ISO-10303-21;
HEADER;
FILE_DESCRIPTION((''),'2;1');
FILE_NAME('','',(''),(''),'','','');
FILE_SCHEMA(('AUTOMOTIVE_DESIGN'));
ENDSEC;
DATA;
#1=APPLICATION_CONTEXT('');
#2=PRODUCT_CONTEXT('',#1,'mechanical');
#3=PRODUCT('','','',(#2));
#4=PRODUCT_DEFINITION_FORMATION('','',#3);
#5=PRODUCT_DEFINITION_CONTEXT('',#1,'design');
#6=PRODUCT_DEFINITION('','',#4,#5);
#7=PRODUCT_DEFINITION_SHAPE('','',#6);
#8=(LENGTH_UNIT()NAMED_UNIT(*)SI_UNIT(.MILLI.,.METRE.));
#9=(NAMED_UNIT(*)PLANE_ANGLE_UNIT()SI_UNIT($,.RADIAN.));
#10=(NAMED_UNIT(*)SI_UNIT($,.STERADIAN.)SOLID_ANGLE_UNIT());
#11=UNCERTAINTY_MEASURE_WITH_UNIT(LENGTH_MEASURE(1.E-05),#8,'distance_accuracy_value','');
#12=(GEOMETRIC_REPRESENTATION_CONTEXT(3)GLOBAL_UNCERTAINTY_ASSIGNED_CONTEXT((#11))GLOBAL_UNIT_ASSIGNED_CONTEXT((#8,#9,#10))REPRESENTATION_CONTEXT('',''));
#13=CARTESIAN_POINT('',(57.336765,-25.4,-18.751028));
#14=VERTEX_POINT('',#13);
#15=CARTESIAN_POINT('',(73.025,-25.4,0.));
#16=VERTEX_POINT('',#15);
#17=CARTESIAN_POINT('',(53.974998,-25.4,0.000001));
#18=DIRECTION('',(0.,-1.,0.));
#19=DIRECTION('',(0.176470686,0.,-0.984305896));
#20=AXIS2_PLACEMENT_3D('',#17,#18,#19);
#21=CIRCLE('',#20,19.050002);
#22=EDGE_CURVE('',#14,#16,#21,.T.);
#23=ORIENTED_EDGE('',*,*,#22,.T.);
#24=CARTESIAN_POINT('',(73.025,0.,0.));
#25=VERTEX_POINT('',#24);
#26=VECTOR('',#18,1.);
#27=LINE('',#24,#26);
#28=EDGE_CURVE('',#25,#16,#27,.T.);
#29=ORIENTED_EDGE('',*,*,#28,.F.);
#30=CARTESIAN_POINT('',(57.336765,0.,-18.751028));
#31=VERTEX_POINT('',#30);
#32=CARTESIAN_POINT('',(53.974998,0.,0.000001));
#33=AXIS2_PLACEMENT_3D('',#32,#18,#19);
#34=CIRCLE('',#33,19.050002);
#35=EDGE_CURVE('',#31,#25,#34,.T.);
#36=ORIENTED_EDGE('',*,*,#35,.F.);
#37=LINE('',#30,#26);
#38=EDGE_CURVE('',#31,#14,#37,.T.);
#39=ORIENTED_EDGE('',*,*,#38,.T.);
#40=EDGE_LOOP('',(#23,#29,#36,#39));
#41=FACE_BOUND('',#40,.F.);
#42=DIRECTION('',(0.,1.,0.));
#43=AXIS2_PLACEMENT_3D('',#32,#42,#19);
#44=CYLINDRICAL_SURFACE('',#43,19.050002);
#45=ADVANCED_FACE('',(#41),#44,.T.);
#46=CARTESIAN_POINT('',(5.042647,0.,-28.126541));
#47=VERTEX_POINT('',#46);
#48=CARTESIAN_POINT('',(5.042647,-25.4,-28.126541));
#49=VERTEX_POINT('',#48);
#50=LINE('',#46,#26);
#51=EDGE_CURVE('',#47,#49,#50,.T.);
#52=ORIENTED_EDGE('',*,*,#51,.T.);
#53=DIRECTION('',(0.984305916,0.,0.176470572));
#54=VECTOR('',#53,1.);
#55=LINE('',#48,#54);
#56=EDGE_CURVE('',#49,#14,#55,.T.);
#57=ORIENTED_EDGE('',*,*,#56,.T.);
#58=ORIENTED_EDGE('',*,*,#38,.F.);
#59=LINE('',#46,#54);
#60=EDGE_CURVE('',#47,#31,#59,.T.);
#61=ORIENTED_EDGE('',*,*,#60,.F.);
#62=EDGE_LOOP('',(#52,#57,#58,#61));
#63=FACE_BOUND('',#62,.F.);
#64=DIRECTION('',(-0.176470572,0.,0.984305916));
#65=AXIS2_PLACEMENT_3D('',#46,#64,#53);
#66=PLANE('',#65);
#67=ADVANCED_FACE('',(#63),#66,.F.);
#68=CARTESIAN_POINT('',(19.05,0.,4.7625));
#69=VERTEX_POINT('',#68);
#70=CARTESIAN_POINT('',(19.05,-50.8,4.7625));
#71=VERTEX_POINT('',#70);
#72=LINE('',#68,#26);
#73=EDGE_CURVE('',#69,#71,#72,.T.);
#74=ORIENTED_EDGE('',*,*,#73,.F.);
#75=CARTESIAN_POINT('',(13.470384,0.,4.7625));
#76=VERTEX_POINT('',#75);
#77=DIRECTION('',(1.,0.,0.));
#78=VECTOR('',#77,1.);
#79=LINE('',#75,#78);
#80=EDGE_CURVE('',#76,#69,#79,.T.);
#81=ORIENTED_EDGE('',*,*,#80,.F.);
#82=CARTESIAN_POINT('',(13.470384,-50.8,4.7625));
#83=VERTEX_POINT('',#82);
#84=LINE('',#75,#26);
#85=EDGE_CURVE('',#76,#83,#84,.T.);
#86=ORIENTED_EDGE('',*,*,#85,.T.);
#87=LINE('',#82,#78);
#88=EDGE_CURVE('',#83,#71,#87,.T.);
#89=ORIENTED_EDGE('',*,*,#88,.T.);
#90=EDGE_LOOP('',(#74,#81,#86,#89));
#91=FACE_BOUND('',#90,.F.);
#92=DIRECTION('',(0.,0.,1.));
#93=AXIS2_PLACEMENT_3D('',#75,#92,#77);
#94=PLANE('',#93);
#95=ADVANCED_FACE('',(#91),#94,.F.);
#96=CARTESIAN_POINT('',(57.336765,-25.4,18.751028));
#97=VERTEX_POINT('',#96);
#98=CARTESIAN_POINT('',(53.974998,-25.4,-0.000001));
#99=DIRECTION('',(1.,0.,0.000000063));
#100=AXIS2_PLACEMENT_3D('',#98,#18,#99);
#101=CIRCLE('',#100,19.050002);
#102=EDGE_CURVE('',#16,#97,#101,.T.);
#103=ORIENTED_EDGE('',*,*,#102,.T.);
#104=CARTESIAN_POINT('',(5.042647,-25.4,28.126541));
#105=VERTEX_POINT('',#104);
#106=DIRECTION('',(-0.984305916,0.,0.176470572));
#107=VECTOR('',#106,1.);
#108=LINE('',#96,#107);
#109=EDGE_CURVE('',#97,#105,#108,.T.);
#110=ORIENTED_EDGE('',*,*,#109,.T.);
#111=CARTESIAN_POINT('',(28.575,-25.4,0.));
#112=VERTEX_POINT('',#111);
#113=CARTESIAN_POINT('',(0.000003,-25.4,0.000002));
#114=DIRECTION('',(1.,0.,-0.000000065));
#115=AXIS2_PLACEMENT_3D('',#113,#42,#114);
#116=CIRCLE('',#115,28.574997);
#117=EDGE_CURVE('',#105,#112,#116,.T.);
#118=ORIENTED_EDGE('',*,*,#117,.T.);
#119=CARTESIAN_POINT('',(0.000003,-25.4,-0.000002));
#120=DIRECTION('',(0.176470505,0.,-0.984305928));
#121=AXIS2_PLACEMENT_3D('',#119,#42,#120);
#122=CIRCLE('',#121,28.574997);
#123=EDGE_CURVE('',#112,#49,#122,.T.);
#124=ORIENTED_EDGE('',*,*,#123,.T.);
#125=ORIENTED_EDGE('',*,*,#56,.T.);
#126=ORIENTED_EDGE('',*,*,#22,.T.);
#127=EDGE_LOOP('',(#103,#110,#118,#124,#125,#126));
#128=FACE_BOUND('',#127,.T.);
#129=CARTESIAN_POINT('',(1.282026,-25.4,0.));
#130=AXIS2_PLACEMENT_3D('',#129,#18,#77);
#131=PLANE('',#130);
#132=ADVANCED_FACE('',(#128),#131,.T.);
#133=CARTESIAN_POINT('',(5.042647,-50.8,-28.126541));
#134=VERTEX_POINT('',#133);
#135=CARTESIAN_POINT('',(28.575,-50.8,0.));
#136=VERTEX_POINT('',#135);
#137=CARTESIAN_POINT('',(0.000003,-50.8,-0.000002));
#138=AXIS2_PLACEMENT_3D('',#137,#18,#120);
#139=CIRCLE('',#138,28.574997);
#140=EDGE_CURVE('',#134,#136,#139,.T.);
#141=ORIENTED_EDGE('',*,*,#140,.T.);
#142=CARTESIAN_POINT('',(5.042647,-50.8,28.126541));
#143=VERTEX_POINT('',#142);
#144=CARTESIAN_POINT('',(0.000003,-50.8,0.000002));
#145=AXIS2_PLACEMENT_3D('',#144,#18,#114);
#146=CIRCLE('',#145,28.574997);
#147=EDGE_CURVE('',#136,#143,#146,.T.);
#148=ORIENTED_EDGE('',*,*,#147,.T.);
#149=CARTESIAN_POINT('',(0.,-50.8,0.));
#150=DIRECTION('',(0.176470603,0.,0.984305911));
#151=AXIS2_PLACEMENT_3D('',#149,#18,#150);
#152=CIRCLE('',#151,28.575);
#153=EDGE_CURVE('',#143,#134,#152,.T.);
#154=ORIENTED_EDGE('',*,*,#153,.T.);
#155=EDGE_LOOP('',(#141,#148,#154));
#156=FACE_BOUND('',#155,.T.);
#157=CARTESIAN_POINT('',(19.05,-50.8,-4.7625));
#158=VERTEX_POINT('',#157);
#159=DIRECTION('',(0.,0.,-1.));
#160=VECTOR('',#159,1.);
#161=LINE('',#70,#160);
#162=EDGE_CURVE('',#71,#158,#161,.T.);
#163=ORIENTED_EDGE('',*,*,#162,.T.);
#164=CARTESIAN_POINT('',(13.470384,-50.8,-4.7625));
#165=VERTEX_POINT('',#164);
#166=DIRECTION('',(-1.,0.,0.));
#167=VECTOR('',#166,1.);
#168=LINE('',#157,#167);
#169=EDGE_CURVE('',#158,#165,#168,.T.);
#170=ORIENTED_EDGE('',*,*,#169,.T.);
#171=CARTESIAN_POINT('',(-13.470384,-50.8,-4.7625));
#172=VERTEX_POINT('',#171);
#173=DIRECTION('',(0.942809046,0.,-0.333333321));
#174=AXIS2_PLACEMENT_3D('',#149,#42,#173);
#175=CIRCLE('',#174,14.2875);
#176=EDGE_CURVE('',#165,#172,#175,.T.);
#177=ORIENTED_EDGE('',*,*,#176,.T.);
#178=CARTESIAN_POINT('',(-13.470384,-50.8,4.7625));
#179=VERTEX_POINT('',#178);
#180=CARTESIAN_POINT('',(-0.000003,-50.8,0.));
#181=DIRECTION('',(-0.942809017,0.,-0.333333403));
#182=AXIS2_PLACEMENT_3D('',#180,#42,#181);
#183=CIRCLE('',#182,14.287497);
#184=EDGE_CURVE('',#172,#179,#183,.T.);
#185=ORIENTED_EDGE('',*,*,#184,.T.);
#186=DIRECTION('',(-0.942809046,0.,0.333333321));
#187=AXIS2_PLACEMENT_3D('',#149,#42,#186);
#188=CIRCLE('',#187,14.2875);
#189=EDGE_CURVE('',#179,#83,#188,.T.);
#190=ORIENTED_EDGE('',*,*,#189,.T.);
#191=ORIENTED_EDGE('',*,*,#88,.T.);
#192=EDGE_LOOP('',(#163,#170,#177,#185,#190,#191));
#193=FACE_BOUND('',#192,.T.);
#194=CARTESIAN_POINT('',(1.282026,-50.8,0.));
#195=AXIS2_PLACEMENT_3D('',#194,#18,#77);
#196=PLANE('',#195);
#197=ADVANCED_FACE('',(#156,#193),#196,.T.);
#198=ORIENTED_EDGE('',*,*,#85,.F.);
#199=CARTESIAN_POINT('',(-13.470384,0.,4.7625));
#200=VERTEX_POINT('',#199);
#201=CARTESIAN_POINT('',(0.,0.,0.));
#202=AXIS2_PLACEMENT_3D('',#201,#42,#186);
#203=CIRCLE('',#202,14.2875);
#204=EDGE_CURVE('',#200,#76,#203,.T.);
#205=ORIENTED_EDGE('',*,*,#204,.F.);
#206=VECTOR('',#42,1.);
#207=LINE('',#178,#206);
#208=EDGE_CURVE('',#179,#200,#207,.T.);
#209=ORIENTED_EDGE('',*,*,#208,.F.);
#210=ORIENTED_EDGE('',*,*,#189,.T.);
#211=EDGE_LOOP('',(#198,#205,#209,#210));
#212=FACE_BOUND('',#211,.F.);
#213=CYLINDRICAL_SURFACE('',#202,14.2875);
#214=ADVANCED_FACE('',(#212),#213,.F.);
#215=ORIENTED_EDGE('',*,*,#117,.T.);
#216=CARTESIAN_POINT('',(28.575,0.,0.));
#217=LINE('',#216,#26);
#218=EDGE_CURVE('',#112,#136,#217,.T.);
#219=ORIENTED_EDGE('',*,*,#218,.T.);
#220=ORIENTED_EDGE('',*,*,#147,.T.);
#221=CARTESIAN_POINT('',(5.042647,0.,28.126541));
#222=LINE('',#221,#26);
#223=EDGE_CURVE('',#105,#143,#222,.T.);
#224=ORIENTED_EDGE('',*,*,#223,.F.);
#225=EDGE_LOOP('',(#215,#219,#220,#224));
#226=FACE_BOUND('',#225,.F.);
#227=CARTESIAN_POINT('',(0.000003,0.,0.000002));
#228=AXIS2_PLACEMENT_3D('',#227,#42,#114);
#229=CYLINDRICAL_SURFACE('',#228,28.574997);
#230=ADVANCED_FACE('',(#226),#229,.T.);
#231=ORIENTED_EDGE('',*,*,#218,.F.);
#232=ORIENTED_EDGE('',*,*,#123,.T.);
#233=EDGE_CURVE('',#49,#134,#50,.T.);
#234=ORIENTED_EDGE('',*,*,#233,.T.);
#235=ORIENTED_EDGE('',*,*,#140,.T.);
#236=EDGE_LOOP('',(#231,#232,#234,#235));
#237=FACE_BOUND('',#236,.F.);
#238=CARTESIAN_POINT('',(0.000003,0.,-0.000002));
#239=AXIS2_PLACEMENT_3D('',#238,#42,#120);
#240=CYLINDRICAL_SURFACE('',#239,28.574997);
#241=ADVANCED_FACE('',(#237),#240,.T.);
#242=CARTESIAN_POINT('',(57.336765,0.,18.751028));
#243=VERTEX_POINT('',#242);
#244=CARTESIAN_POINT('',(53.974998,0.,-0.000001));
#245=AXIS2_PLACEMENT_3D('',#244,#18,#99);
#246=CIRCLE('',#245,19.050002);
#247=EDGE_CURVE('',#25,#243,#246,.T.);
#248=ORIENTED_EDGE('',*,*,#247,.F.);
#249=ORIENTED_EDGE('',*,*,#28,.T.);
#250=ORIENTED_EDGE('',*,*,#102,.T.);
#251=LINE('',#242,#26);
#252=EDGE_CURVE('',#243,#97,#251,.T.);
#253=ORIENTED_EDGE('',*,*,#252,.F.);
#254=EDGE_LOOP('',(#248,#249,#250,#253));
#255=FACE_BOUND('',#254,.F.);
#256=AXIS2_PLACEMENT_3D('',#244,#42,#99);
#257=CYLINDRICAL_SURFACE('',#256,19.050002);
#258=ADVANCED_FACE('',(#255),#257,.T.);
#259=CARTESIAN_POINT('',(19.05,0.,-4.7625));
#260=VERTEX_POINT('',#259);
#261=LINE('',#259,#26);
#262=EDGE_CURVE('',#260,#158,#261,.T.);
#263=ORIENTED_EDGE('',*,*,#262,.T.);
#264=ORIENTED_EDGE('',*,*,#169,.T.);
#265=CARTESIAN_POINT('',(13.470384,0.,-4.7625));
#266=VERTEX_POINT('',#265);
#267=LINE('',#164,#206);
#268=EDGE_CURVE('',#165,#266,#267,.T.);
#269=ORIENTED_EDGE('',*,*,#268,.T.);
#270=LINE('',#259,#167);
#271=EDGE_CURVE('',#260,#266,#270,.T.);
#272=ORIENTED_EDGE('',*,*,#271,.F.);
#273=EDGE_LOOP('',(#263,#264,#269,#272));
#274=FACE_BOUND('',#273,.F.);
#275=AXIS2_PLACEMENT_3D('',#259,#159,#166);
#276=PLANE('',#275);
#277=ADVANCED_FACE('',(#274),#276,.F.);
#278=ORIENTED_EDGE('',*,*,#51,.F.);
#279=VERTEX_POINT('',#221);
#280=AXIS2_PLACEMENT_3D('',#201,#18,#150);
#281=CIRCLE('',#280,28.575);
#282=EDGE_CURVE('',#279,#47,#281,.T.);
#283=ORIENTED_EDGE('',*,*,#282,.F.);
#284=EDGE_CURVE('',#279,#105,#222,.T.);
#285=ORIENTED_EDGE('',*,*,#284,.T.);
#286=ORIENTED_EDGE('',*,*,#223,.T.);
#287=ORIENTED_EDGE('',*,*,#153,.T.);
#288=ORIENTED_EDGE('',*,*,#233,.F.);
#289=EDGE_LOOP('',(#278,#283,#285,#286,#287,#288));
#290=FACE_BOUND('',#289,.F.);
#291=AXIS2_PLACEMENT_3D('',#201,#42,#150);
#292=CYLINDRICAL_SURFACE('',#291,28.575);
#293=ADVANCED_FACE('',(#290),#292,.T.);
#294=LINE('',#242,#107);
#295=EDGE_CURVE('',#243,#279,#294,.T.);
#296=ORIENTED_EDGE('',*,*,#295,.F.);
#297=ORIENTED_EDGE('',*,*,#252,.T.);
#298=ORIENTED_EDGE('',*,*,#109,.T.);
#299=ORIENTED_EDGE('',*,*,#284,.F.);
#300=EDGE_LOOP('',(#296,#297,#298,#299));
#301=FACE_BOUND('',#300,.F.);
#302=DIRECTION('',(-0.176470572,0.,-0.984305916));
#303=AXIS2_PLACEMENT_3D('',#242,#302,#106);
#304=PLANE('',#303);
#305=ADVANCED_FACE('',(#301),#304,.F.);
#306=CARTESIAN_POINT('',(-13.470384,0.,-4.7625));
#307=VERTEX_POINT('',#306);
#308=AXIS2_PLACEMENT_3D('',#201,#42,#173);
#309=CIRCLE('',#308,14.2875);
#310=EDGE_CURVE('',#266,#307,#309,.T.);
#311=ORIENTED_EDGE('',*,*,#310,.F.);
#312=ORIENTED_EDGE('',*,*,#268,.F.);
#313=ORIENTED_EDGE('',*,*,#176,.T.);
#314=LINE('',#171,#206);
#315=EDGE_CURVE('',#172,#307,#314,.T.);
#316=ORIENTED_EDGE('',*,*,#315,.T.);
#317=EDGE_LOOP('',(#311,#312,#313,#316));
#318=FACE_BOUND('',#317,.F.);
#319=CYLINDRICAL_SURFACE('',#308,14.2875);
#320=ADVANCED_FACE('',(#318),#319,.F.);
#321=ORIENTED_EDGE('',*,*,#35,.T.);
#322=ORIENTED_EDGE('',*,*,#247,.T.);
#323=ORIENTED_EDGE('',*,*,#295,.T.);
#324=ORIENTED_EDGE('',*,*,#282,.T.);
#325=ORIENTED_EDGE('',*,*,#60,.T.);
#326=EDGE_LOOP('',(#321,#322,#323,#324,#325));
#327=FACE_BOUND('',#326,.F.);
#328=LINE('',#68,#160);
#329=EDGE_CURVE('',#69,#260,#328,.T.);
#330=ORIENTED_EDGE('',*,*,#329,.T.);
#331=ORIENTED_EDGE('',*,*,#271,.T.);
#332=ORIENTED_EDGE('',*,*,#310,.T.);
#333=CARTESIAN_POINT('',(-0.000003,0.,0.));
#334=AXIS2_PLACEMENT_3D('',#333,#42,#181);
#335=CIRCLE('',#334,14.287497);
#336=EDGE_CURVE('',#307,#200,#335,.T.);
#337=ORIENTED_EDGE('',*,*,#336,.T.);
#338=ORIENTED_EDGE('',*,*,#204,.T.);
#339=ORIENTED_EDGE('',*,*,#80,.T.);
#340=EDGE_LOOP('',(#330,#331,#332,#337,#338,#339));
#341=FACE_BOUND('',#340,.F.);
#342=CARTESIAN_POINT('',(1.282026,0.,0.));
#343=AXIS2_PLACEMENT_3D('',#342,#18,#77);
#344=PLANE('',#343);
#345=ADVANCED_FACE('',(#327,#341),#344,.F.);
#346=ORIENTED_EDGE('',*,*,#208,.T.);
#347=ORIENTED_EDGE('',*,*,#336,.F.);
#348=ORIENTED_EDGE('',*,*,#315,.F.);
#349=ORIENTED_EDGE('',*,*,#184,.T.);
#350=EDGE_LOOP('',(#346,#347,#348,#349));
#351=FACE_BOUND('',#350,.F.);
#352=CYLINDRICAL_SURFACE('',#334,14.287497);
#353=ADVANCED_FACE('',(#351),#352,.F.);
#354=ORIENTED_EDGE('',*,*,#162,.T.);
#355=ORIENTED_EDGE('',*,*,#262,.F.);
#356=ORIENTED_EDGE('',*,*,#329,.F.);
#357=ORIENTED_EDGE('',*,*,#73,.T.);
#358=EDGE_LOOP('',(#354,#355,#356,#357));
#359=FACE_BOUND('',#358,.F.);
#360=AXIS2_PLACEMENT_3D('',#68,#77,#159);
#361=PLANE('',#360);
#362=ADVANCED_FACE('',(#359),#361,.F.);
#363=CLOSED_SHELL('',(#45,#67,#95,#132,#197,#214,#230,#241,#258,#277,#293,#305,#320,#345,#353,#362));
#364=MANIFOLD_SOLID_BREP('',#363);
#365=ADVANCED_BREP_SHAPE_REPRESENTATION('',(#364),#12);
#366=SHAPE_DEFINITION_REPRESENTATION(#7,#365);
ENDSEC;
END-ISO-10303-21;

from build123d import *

# Parameters (mm, degrees)
F0_R     = 14.2875
F1_DEPTH = 25.4
F2_DEPTH = 50.8


with BuildPart() as f1:
    # F0 (on Front) → F1 (new body)
    with BuildSketch(Plane.XZ):
        with BuildLine():
            ThreePointArc((5.042647, -28.126541), (21.916025, -18.336262), (28.575, 0))
            ThreePointArc((28.575, 0), (21.916025, 18.336262), (5.042647, 28.126541))
            ThreePointArc((5.042647, 28.126541), (-28.575, 0), (5.042647, -28.126541))
        make_face()
        with BuildLine():
            ThreePointArc((-13.470384, 4.7625), (0, 14.2875), (13.470384, 4.7625))
            Line((13.470384, 4.7625), (19.05, 4.7625))
            Line((19.05, 4.7625), (19.05, -4.7625))
            Line((19.05, -4.7625), (13.470384, -4.7625))
            ThreePointArc((13.470384, -4.7625), (0, -14.2875), (-13.470384, -4.7625))
            Line((-13.470384, -4.7625), (-19.05, -4.7625))
            Line((-19.05, -4.7625), (-19.05, 4.7625))
            Line((-19.05, 4.7625), (-13.470384, 4.7625))
        make_face(mode=Mode.SUBTRACT)
        with BuildLine():
            ThreePointArc((5.042647, 28.126541), (21.916025, 18.336262), (28.575, 0))
            ThreePointArc((28.575, 0), (21.916025, -18.336262), (5.042647, -28.126541))
            Line((5.042647, -28.126541), (57.336765, -18.751028))
            ThreePointArc((57.336765, -18.751028), (34.925, 0), (57.336765, 18.751028))
            Line((57.336765, 18.751028), (5.042647, 28.126541))
        make_face()
        with BuildLine():
            ThreePointArc((73.025, 0), (68.585683, 12.224174), (57.336765, 18.751028))
            ThreePointArc((57.336765, 18.751028), (34.925, 0), (57.336765, -18.751028))
            ThreePointArc((57.336765, -18.751028), (68.585683, -12.224174), (73.025, 0))
        make_face()
        with Locations((53.975, 0)):
            Circle(F0_R, mode=Mode.SUBTRACT)
        with Locations((53.975, 0)):
            Circle(F0_R)
        with BuildLine():
            ThreePointArc((-13.470384, -4.7625), (-14.2875, 0), (-13.470384, 4.7625))
            Line((-13.470384, 4.7625), (-19.05, 4.7625))
            Line((-19.05, 4.7625), (-19.05, -4.7625))
            Line((-19.05, -4.7625), (-13.470384, -4.7625))
        make_face()
    extrude(amount=F1_DEPTH)

    # F0 (on Front) → F2 (join)
    with BuildSketch(Plane.XZ):
        with BuildLine():
            ThreePointArc((5.042647, -28.126541), (21.916025, -18.336262), (28.575, 0))
            ThreePointArc((28.575, 0), (21.916025, 18.336262), (5.042647, 28.126541))
            ThreePointArc((5.042647, 28.126541), (-28.575, 0), (5.042647, -28.126541))
        make_face()
        with BuildLine():
            ThreePointArc((-13.470384, 4.7625), (0, 14.2875), (13.470384, 4.7625))
            Line((13.470384, 4.7625), (19.05, 4.7625))
            Line((19.05, 4.7625), (19.05, -4.7625))
            Line((19.05, -4.7625), (13.470384, -4.7625))
            ThreePointArc((13.470384, -4.7625), (0, -14.2875), (-13.470384, -4.7625))
            Line((-13.470384, -4.7625), (-19.05, -4.7625))
            Line((-19.05, -4.7625), (-19.05, 4.7625))
            Line((-19.05, 4.7625), (-13.470384, 4.7625))
        make_face(mode=Mode.SUBTRACT)
        with BuildLine():
            ThreePointArc((-13.470384, -4.7625), (-14.2875, 0), (-13.470384, 4.7625))
            Line((-13.470384, 4.7625), (-19.05, 4.7625))
            Line((-19.05, 4.7625), (-19.05, -4.7625))
            Line((-19.05, -4.7625), (-13.470384, -4.7625))
        make_face()
    extrude(amount=F2_DEPTH)


solid = f1.part
